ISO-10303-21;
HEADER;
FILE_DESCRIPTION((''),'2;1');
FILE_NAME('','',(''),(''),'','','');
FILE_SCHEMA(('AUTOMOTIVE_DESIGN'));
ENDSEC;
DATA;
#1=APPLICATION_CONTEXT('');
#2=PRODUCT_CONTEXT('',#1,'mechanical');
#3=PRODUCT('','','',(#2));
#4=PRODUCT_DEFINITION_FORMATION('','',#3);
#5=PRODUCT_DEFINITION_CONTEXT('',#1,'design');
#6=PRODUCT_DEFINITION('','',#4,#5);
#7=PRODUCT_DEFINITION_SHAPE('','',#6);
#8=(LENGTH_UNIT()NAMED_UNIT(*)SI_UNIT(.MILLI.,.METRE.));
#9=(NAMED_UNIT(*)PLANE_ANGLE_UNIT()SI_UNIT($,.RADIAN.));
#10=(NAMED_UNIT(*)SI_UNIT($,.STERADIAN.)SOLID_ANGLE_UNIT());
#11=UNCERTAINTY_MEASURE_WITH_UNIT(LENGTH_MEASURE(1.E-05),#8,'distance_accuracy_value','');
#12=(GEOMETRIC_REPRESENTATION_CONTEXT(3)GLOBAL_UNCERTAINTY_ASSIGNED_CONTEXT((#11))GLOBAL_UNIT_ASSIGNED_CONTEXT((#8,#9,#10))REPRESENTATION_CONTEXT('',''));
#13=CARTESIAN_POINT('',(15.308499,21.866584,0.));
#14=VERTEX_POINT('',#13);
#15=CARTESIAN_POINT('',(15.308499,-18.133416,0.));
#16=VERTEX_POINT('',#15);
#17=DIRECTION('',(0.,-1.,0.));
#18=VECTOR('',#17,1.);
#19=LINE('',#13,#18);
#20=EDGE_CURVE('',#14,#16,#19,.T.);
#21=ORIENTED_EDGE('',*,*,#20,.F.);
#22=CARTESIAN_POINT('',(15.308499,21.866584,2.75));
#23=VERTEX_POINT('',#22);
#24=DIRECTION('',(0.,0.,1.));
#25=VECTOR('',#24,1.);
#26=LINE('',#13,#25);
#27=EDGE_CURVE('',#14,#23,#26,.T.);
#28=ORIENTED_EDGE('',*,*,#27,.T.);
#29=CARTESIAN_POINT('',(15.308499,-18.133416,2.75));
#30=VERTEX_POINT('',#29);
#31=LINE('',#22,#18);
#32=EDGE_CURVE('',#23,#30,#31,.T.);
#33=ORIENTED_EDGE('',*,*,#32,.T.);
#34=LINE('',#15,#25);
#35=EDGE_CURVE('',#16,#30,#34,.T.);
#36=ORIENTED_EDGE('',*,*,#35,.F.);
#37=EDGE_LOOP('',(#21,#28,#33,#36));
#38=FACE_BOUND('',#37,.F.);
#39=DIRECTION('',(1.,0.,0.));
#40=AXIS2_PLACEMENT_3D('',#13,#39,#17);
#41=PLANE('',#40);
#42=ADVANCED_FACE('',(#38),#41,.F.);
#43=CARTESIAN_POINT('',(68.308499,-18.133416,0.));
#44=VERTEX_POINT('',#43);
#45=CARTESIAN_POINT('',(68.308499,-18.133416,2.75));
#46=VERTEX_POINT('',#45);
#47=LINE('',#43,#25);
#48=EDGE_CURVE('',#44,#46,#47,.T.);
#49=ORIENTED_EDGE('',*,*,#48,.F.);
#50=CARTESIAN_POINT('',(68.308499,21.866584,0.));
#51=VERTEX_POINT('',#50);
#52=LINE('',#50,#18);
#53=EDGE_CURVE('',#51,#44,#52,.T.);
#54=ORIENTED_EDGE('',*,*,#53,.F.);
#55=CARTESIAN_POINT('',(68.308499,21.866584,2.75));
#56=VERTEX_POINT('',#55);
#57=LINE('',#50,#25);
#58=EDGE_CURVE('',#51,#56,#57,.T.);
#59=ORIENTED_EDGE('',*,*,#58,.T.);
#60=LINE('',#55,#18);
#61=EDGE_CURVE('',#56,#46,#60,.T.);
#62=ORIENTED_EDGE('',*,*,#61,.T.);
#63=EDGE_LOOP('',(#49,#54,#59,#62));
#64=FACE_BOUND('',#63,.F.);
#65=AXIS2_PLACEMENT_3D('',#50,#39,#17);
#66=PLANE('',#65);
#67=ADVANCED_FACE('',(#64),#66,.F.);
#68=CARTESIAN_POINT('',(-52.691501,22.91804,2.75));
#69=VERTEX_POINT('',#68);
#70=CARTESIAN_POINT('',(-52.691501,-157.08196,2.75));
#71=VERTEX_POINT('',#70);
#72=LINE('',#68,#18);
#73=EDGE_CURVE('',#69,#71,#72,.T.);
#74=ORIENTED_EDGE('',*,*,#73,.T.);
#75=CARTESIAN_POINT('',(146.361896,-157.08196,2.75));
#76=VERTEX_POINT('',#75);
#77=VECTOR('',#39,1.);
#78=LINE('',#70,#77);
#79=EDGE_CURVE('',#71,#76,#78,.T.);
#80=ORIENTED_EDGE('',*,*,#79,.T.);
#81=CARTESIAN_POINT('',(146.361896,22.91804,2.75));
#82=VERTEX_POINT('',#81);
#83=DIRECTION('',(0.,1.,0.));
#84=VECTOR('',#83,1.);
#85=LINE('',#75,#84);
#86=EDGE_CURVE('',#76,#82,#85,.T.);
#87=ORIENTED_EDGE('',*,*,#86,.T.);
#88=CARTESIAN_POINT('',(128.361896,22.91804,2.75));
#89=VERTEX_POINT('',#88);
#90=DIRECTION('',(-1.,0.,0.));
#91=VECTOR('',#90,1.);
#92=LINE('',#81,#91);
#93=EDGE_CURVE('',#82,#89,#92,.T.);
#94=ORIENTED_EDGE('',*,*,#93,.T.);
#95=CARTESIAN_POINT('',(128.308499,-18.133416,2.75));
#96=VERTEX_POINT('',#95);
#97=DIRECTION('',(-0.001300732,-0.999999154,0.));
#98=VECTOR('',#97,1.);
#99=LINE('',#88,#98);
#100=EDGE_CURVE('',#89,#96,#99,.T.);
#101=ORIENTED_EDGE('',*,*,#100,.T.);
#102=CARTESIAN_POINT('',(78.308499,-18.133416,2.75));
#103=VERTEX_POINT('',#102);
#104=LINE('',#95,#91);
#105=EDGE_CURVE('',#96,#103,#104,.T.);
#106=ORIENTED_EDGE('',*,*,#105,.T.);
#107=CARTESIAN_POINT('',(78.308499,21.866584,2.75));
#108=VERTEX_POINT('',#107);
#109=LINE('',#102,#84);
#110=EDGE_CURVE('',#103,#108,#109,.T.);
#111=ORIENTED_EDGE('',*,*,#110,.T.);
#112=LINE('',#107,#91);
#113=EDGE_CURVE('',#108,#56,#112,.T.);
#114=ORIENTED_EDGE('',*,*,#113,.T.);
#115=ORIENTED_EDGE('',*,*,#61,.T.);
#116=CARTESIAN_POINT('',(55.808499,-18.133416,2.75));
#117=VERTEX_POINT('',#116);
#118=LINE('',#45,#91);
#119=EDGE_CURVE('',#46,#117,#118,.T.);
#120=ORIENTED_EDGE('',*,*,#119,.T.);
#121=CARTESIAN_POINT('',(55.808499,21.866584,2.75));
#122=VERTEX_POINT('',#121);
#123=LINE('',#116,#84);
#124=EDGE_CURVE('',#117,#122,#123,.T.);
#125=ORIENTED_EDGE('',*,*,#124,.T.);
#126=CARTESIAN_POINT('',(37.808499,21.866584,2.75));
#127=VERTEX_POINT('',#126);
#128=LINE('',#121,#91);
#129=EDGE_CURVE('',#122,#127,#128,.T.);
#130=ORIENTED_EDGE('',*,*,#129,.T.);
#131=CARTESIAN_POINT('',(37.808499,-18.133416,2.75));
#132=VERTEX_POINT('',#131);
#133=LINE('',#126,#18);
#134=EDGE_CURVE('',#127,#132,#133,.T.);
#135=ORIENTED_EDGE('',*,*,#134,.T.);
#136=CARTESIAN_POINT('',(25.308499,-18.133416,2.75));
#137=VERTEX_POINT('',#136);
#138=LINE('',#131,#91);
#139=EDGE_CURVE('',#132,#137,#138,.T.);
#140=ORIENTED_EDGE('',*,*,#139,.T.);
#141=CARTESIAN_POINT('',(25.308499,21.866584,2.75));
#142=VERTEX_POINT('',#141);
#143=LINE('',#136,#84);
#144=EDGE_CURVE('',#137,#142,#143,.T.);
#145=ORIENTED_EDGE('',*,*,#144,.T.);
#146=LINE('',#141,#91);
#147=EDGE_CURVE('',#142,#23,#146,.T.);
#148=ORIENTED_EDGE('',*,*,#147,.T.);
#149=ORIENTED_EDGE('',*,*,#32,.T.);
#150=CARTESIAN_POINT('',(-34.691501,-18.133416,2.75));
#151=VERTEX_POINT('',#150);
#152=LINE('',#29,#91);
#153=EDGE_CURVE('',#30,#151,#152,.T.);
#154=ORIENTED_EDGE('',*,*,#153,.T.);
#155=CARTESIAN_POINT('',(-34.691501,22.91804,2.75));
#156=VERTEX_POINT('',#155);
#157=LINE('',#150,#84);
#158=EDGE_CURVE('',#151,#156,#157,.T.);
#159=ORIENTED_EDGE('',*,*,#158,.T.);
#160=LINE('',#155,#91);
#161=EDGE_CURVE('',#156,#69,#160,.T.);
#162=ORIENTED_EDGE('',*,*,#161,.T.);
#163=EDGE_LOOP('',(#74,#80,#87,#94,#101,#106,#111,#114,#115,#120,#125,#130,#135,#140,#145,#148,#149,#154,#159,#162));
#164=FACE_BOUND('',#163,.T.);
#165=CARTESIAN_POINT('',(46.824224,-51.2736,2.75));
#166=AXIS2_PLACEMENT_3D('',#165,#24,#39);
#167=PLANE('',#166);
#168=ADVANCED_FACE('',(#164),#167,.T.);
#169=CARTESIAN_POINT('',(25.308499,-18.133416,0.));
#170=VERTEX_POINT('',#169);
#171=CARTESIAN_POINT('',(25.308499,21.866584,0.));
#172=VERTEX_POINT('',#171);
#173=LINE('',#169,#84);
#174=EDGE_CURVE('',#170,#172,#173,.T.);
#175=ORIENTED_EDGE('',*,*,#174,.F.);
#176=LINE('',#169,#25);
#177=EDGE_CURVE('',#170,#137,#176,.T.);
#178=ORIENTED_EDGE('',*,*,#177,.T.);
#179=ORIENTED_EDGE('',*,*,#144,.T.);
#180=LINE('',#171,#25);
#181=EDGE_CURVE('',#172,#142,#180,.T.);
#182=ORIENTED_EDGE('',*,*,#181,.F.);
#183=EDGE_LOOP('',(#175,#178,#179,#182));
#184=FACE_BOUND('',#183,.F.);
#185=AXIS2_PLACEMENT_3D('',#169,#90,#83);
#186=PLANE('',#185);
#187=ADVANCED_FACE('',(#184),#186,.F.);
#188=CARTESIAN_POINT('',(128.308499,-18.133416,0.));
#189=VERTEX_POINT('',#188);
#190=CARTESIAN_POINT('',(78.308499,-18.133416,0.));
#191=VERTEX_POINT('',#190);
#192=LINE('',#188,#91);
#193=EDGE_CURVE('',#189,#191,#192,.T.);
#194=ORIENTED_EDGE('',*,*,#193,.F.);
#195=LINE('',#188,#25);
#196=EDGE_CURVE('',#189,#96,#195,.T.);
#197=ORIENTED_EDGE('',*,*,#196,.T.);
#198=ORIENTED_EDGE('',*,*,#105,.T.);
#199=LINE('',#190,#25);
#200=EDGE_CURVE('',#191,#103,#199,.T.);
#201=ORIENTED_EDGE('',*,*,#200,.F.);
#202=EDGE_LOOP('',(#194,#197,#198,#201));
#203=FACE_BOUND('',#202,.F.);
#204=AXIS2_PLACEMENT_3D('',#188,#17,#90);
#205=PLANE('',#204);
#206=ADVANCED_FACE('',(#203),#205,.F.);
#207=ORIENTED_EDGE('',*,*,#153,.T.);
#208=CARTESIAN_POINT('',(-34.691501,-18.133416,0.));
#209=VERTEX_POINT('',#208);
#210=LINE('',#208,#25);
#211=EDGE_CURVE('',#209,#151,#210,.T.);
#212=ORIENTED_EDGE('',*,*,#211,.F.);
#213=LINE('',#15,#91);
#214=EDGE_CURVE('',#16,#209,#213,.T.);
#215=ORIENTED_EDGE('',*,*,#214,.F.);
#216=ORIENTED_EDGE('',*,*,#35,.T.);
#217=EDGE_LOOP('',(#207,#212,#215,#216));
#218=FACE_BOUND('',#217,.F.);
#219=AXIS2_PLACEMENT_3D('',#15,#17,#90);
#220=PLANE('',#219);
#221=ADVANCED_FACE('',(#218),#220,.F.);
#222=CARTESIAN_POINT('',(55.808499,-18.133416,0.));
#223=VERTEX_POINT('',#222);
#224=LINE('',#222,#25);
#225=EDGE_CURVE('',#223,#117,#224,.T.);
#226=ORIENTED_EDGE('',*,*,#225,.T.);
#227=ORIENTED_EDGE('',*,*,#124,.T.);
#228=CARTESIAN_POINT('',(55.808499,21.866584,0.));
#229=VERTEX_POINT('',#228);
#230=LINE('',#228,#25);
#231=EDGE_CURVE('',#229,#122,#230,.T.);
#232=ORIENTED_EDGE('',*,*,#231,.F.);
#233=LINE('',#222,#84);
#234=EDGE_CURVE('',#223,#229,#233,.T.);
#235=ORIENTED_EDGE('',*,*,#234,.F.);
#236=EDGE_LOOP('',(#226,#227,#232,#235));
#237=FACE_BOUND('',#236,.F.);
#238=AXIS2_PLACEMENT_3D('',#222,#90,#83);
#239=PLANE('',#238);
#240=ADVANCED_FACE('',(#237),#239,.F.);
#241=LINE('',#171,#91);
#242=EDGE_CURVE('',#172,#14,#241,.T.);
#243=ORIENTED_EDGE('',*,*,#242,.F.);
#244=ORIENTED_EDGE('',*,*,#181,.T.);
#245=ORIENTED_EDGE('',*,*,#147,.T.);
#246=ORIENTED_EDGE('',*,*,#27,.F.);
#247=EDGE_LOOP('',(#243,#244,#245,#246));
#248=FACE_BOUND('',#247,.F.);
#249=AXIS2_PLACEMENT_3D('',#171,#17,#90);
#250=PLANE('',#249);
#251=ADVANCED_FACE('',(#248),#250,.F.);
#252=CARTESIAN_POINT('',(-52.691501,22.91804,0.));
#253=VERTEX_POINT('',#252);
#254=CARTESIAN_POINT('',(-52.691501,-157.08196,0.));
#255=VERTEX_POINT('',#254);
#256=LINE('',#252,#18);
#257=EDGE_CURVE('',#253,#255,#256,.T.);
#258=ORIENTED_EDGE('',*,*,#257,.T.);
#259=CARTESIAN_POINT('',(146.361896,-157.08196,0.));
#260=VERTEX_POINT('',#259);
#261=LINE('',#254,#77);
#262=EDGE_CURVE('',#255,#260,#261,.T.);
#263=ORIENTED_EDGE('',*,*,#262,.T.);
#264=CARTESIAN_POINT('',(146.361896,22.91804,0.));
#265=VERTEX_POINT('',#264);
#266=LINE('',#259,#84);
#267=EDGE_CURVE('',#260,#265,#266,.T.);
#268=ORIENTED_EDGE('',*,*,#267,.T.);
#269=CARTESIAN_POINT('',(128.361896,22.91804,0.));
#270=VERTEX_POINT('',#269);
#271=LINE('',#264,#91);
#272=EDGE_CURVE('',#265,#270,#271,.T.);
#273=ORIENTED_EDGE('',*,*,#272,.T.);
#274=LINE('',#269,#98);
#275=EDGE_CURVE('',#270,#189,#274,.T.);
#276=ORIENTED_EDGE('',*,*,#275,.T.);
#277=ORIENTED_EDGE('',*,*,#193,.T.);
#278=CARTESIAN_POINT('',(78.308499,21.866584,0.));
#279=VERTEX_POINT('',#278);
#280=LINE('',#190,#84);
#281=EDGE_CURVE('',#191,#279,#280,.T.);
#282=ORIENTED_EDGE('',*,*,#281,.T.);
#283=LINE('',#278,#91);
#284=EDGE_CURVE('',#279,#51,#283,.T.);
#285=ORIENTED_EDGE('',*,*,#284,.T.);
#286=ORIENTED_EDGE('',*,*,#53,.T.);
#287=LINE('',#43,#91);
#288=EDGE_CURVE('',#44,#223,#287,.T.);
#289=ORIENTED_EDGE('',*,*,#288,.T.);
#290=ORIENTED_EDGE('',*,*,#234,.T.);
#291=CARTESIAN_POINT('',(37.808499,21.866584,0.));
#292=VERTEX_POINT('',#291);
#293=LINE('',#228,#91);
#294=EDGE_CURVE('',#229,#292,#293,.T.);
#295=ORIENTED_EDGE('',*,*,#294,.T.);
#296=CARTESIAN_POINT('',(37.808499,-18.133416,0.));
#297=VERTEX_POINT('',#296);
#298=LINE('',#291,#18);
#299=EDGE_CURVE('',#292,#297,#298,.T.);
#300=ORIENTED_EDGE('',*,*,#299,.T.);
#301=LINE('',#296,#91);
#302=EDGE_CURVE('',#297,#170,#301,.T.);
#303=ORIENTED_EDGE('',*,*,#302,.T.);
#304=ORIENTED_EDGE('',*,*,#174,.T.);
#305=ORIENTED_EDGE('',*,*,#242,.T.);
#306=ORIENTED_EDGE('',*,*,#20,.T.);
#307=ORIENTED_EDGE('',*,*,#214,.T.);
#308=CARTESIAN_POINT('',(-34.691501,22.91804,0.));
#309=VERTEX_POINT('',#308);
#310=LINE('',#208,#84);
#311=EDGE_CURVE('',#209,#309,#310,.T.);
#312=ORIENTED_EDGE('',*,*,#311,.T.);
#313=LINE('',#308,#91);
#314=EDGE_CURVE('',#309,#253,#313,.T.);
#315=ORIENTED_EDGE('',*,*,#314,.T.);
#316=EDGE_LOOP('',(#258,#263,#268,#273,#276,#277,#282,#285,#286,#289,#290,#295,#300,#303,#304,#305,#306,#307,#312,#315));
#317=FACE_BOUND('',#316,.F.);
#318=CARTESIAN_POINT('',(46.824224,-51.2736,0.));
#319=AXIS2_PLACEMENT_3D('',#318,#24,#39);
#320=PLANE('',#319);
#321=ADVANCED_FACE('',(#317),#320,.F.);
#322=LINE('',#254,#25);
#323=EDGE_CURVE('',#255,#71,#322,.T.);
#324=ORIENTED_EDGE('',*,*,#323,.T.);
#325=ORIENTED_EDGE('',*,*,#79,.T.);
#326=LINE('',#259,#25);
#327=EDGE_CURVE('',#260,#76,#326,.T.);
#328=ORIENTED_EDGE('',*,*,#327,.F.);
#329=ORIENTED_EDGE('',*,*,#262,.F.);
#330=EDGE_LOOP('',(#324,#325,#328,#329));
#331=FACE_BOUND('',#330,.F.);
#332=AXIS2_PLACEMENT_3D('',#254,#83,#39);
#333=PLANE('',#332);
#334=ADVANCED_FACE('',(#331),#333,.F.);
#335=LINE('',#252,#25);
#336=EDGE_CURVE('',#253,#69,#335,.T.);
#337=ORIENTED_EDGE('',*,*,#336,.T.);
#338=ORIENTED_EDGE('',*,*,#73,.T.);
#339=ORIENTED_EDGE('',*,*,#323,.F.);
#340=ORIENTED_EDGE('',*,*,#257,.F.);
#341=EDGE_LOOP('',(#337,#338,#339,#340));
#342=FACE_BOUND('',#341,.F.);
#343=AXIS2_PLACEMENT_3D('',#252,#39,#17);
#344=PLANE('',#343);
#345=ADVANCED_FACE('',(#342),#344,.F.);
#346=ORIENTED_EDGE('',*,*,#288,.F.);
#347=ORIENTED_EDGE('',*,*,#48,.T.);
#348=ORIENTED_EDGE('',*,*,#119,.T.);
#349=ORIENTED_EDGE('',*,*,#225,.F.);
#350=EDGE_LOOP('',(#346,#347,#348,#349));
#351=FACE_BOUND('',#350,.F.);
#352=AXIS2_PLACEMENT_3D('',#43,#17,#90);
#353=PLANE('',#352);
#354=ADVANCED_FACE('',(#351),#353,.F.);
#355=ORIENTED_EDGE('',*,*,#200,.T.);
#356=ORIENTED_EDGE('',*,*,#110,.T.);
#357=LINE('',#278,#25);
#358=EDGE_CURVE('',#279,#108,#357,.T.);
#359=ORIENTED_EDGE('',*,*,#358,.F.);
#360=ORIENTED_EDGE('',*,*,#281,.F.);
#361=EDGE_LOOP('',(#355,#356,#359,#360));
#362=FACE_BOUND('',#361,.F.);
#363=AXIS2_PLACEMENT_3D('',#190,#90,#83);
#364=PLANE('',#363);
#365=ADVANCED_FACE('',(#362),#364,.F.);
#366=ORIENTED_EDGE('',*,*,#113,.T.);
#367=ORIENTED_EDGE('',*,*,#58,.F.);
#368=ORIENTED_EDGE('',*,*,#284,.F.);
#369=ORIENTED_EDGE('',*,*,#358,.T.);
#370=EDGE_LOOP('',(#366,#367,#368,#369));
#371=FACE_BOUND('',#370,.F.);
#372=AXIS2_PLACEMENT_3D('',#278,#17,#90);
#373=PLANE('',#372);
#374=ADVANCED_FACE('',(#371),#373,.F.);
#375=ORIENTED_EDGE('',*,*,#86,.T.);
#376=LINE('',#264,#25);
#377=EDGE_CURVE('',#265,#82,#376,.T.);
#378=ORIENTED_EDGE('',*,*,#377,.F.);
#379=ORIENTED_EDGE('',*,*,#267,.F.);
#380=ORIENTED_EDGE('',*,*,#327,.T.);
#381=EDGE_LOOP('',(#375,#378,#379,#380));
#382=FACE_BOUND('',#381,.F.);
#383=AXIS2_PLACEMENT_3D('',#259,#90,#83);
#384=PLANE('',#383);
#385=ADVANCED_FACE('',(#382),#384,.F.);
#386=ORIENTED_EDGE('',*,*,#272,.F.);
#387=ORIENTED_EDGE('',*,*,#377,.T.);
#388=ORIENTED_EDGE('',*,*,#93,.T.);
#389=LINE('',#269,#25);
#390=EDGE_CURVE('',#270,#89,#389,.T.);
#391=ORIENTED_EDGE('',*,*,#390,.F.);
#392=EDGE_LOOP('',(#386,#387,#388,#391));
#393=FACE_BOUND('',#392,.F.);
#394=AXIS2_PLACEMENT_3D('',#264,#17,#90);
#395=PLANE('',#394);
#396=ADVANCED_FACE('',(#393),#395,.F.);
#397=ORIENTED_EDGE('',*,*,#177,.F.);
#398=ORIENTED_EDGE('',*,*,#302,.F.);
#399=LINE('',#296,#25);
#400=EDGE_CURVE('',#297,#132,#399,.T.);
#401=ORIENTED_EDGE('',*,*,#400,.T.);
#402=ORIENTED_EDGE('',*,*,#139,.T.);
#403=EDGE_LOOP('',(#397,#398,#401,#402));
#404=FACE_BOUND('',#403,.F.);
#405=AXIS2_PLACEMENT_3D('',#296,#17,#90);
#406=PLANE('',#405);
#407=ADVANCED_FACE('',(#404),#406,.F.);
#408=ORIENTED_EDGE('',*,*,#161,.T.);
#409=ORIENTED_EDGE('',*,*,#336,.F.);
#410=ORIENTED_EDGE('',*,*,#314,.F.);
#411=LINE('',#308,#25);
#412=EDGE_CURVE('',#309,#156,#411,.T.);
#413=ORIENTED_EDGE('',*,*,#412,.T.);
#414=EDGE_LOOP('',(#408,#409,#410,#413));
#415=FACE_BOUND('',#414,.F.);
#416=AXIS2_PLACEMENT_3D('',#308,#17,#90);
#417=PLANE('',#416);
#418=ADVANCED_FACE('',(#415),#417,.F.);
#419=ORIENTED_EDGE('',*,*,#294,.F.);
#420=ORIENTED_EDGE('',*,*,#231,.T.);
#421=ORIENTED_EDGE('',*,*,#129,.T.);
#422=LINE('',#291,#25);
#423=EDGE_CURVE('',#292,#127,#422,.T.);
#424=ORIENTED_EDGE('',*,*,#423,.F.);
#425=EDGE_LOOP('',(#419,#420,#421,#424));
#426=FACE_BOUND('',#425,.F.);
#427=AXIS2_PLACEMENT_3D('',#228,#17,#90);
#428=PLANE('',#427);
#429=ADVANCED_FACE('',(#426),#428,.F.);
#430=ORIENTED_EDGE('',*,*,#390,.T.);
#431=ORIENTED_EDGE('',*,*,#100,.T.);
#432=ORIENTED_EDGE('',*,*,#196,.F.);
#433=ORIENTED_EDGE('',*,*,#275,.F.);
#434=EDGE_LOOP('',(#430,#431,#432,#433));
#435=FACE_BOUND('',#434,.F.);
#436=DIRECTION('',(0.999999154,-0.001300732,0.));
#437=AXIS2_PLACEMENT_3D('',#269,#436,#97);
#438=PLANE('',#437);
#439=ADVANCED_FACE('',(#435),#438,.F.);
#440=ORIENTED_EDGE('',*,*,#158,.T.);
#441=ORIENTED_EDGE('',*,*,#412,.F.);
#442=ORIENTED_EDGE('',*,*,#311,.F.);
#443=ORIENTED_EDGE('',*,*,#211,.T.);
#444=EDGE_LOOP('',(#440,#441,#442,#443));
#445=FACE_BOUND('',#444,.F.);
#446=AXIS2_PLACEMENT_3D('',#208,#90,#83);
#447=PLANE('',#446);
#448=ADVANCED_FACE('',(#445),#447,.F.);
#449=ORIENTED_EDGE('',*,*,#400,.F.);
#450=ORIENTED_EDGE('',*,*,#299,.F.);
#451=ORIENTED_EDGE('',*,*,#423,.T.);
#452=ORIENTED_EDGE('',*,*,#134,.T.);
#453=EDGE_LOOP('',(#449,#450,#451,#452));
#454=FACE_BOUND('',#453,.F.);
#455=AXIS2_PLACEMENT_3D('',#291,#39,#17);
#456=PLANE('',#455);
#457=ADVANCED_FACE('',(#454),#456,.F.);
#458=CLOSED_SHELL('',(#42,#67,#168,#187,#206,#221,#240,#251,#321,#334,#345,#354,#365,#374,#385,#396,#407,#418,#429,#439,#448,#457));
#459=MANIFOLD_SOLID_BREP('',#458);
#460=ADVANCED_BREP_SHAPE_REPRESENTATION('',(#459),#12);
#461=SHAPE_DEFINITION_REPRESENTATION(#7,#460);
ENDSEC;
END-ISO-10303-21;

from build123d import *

# Parameters (mm, degrees)
F1_DEPTH = 2.75


with BuildPart() as f1:
    # F0 (on Top) → F1 (new body)
    with BuildSketch(Plane.XY):
        Polygon((55.808499, 21.866584), (37.808499, 21.866584), (37.808499, -18.133416), (25.308499, -18.133416), (25.308499, 21.866584), (15.308499, 21.866584), (15.308499, -18.133416), (-34.691501, -18.133416), (-34.691501, 22.91804), (-52.691501, 22.91804), (-52.691501, -157.08196), (146.361896, -157.08196), (146.361896, 22.91804), (128.361896, 22.91804), (128.308499, -18.133416), (78.308499, -18.133416), (78.308499, 21.866584), (68.308499, 21.866584), (68.308499, -18.133416), (55.808499, -18.133416), align=None)
    extrude(amount=F1_DEPTH)


solid = f1.part
